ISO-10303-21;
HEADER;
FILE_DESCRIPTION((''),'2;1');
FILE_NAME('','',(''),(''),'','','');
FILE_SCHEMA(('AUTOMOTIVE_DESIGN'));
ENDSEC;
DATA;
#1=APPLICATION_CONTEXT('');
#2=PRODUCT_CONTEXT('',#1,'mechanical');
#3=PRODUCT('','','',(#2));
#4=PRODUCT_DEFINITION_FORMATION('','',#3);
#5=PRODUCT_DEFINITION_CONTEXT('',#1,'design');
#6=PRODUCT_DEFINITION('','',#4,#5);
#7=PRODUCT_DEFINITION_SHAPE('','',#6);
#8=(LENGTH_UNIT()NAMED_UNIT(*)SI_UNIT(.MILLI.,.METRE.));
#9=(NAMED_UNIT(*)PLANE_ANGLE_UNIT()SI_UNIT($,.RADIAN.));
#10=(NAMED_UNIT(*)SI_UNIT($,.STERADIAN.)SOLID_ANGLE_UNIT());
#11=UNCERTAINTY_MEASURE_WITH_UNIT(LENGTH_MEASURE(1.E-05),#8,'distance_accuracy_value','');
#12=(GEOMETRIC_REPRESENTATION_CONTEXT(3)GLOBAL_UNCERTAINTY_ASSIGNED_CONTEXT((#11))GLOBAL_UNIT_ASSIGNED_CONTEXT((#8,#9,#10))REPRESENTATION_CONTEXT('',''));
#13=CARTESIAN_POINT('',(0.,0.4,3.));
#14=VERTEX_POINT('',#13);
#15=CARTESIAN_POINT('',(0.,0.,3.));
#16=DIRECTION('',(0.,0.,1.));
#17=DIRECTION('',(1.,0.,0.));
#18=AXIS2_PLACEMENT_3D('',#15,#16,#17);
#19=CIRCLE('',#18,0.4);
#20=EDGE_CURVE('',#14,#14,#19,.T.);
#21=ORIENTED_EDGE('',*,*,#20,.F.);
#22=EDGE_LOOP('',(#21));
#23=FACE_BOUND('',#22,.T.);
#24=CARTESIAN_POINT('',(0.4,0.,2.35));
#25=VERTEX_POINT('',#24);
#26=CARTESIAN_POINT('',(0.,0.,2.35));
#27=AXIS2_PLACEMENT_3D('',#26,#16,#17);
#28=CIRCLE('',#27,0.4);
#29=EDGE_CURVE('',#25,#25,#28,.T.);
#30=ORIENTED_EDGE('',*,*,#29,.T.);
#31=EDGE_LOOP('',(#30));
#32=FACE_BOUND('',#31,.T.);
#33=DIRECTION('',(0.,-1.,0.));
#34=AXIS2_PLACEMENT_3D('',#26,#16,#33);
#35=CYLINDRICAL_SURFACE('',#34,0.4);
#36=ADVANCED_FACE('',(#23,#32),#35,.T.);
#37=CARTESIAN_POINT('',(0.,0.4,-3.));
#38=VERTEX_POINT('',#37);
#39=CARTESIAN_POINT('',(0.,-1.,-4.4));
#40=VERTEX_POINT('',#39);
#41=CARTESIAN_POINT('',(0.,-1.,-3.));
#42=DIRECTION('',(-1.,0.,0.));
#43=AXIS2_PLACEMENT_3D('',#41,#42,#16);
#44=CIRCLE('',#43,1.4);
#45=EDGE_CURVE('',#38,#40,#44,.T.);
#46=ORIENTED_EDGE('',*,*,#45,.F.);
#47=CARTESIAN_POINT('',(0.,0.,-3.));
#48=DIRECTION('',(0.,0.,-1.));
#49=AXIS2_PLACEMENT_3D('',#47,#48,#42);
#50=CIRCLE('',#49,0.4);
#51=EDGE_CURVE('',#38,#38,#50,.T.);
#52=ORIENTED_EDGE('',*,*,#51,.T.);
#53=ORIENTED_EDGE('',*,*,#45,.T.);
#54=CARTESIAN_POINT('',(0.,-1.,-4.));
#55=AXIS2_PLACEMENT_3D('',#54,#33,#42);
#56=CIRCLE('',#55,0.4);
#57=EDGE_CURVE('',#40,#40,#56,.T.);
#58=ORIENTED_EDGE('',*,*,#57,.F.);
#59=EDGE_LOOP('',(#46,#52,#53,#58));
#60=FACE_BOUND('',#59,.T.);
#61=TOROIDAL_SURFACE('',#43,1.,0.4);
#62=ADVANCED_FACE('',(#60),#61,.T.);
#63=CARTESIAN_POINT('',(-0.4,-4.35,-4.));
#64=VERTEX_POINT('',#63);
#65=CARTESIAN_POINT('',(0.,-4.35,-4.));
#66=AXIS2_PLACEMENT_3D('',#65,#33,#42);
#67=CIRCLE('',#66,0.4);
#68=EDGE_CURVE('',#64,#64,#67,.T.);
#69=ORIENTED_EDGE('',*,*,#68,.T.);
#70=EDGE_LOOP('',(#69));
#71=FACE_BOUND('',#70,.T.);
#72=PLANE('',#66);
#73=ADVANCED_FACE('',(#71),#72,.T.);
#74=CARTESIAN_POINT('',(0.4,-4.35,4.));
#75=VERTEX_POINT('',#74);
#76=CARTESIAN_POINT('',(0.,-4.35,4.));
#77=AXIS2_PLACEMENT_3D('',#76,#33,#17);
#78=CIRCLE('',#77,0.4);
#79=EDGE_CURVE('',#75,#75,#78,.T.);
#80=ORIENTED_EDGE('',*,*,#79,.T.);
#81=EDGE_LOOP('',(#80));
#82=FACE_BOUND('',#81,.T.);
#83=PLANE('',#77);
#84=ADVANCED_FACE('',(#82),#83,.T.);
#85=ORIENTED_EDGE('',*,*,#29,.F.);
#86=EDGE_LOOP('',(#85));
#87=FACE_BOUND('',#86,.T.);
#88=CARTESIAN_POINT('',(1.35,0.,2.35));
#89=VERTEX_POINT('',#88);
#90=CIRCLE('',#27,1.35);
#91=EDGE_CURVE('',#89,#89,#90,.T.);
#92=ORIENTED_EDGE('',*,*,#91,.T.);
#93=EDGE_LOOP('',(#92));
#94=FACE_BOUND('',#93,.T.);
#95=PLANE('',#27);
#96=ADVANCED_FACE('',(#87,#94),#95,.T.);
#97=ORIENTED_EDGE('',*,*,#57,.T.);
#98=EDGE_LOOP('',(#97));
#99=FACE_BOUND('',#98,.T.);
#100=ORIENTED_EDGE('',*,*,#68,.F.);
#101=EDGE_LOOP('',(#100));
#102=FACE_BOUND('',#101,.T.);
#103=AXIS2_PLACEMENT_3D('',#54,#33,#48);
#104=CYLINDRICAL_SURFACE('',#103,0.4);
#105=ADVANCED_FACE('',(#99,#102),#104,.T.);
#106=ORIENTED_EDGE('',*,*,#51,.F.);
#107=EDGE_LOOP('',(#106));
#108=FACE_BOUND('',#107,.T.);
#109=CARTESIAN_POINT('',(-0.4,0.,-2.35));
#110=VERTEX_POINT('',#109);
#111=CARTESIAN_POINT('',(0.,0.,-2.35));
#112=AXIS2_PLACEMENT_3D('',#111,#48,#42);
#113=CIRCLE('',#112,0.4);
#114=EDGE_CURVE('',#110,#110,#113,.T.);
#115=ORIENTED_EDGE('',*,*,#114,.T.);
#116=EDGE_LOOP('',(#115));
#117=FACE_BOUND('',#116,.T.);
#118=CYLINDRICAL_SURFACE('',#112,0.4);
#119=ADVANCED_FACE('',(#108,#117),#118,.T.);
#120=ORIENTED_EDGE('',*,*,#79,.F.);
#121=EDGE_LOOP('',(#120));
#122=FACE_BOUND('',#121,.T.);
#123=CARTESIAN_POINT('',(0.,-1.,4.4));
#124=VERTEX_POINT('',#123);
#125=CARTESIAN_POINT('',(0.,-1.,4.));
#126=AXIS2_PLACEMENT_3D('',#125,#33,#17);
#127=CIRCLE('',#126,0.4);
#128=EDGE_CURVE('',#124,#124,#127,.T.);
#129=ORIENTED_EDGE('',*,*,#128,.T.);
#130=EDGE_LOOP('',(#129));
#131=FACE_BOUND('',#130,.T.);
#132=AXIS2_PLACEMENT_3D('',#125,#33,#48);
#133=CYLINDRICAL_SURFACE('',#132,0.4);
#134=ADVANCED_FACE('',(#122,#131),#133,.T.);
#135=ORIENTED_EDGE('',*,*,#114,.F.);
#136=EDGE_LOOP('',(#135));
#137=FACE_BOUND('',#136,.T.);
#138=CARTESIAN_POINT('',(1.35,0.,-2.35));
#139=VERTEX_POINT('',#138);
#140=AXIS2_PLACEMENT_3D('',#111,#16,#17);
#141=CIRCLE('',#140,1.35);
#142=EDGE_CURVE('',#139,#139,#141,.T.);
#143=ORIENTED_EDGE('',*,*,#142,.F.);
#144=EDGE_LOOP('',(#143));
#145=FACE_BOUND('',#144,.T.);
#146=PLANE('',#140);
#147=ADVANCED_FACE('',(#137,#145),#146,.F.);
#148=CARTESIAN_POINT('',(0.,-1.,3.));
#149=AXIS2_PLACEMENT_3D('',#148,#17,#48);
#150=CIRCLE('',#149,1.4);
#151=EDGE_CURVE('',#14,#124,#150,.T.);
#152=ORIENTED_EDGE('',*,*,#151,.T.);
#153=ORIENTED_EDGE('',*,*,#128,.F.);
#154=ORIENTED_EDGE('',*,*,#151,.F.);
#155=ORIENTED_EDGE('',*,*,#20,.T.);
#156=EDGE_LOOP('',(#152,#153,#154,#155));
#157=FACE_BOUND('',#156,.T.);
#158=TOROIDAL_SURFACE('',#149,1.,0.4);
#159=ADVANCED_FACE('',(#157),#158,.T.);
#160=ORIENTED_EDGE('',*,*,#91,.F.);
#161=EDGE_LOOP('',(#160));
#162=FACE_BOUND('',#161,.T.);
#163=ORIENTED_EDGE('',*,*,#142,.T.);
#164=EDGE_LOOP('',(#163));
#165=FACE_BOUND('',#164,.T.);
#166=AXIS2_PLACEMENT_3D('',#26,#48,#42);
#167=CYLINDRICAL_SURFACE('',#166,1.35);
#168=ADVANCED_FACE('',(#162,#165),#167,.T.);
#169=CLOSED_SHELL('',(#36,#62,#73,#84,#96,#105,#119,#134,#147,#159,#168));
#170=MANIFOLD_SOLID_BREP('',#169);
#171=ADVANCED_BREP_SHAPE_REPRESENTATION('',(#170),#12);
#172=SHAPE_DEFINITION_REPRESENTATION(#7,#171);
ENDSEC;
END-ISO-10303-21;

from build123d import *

# Parameters (mm, degrees)
SKETCH_1_R      = 1.35
EXTRUDE_1_DEPTH = 2.35
SKETCH_3_R      = 0.4
SKETCH_2_R      = 0.4


with BuildPart() as part:
    # Эскиз1 → Бобышка-Вытянуть1 (new, symmetric)
    with BuildSketch(Plane.XY):
        Circle(SKETCH_1_R)
    extrude(amount=EXTRUDE_1_DEPTH, both=True)

    # По траектории1: sweep along a path in Эскиз5
    with BuildLine(Plane(origin=(0, 0, 0), x_dir=(0, 0, -1), z_dir=(1, 0, 0))) as sweep_1_path:
        Line((2.35, 0), (3, 0))
        ThreePointArc((3, 0), (3.707106781, -0.292893219), (4, -1))
        Line((4, -1), (4, -4.35))
    # Эскиз3 → По траектории1 (sweep)
    with BuildSketch(Plane(origin=(0, 0, -2.35), x_dir=(-1, 0, 0), z_dir=(0, 0, -1))):
        Circle(SKETCH_3_R)
    sweep(path=sweep_1_path.line)

    # По траектории2: sweep along a path in Эскиз6
    with BuildLine(Plane(origin=(0, 0, 0), x_dir=(0, 0, -1), z_dir=(1, 0, 0))) as sweep_2_path:
        Line((-2.35, 0), (-3, 0))
        ThreePointArc((-3, 0), (-3.707106781, -0.292893219), (-4, -1))
        Line((-4, -1), (-4, -4.35))
    # Эскиз2 → По траектории2 (sweep)
    with BuildSketch(Plane.XY.offset(2.35)):
        Circle(SKETCH_2_R)
    sweep(path=sweep_2_path.line)


solid = part.part
